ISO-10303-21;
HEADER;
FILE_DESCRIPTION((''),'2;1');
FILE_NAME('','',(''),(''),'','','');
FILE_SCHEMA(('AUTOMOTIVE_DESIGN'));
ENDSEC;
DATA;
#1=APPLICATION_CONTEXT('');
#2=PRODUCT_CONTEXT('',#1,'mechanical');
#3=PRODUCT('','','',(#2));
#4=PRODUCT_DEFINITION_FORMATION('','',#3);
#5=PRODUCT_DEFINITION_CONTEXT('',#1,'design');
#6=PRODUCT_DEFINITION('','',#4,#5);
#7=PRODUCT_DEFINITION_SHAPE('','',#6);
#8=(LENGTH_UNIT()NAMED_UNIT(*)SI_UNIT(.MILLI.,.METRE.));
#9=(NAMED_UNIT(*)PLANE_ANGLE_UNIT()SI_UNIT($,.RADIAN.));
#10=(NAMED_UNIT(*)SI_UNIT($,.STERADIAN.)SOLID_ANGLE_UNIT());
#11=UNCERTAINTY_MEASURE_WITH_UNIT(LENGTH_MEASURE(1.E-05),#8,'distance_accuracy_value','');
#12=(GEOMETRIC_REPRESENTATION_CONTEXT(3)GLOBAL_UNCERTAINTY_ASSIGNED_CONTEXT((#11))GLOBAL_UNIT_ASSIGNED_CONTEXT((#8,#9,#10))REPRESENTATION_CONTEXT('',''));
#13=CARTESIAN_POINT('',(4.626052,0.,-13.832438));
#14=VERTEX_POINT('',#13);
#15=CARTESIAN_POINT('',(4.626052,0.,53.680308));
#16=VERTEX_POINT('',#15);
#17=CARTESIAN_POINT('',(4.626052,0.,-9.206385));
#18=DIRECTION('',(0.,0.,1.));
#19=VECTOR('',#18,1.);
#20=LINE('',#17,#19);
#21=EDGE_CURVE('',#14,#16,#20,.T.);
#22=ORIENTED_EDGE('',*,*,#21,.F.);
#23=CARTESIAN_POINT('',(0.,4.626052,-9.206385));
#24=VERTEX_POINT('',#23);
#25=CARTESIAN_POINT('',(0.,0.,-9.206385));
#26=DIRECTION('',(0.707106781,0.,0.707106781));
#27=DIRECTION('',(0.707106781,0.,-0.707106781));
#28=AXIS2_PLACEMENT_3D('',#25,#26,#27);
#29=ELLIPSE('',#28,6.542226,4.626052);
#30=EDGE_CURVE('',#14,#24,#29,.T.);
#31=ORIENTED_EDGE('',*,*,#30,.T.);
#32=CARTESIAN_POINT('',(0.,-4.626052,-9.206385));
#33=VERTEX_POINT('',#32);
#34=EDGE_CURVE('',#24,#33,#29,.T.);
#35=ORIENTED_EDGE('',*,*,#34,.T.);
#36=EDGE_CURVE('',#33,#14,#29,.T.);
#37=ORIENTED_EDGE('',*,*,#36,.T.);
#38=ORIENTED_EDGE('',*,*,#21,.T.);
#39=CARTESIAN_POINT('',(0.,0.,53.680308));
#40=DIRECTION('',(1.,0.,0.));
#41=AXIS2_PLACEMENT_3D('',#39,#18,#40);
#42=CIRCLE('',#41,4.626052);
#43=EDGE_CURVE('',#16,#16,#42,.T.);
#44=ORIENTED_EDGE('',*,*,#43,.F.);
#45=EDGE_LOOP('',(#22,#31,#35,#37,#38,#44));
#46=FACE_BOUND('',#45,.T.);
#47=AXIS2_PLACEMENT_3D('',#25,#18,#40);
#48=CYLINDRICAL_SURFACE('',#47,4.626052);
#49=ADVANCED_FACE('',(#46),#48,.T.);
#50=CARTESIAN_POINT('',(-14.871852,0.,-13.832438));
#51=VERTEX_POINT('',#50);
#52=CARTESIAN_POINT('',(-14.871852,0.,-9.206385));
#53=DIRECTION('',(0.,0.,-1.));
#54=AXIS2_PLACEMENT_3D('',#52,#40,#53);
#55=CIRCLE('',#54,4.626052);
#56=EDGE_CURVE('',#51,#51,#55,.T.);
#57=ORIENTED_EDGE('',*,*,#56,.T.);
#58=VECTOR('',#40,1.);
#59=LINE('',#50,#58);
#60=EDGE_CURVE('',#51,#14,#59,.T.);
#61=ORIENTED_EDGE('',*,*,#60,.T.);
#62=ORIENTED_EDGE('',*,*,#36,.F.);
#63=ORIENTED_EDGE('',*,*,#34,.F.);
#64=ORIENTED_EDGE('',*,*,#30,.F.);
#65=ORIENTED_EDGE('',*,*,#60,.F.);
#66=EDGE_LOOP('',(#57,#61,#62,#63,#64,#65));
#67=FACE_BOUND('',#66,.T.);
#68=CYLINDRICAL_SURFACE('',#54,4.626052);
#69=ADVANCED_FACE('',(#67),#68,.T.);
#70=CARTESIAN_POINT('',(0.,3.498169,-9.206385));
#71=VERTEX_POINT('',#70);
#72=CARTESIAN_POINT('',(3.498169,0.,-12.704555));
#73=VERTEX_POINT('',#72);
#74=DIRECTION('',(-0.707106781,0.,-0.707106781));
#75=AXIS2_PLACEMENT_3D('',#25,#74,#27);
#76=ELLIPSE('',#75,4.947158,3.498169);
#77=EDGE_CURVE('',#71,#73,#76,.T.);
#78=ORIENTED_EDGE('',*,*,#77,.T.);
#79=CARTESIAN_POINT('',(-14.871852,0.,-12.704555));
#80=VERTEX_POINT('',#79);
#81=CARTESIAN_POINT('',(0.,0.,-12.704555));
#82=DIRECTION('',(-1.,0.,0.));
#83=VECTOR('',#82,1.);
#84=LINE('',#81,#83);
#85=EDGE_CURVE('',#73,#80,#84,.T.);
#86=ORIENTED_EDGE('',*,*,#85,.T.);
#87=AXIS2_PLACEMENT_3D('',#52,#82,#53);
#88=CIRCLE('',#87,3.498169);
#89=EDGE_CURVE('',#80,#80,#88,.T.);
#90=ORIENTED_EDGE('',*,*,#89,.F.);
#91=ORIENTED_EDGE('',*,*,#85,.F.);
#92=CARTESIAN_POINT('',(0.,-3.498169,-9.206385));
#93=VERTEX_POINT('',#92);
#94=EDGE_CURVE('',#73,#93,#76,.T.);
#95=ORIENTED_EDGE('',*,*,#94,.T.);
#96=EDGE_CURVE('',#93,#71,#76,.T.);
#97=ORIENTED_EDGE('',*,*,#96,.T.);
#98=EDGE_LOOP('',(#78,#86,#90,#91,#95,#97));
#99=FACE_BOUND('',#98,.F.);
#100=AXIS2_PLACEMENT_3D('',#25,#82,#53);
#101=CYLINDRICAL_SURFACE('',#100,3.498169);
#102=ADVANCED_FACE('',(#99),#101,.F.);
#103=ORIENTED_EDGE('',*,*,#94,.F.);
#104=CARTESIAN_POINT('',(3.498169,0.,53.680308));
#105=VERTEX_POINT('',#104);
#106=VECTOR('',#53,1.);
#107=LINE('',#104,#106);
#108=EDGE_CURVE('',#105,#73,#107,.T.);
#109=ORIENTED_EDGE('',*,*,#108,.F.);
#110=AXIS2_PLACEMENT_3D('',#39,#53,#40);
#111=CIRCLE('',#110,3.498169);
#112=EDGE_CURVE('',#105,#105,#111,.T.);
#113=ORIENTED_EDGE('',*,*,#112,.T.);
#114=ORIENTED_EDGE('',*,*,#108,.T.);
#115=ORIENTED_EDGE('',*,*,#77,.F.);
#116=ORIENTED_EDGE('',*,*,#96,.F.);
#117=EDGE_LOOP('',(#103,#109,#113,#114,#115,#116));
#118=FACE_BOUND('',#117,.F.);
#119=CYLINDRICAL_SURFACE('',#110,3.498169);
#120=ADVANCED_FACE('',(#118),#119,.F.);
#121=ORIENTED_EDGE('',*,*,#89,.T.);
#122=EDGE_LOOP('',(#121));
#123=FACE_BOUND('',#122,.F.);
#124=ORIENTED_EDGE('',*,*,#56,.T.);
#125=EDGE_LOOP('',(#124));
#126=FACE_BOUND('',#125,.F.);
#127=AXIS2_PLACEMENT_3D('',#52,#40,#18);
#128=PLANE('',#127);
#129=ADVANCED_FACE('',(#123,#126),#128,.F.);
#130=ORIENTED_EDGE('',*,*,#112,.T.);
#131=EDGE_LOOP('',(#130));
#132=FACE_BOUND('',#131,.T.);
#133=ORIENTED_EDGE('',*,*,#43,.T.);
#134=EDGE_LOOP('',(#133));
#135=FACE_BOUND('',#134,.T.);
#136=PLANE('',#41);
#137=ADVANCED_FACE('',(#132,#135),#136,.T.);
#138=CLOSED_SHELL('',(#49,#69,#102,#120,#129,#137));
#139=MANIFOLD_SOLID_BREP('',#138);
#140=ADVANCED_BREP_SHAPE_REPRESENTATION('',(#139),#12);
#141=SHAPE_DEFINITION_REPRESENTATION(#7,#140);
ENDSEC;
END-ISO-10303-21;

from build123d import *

# Parameters (mm, degrees)
F0_R = 4.6260523319
F3_R = 3.4981692949


with BuildPart() as f2:
    # F2: sweep along a path in F1
    with BuildLine(Plane.XZ) as f2_path:
        Line((-14.8718524724, -9.2063853517), (0, -9.2063853517))
        Line((0, -9.2063853517), (0, 0))
        Line((0, 0), (0, 53.6803081632))
    # F0 (on Top) → F2 (sweep)
    with BuildSketch(Plane.XY):
        Circle(F0_R)
    sweep(path=f2_path.line, transition=Transition.RIGHT)

    # F4: sweep along a path in F1
    with BuildLine(Plane.XZ) as f4_path:
        Line((0, 53.6803081632), (0, 0))
        Line((0, 0), (0, -9.2063853517))
        Line((0, -9.2063853517), (-14.8718524724, -9.2063853517))
    # F3 (on face) → F4 (sweep, cut)
    with BuildSketch(Plane.XY.offset(53.6803081632)):
        Circle(F3_R)
    sweep(path=f4_path.line, transition=Transition.RIGHT, mode=Mode.SUBTRACT)


solid = f2.part
